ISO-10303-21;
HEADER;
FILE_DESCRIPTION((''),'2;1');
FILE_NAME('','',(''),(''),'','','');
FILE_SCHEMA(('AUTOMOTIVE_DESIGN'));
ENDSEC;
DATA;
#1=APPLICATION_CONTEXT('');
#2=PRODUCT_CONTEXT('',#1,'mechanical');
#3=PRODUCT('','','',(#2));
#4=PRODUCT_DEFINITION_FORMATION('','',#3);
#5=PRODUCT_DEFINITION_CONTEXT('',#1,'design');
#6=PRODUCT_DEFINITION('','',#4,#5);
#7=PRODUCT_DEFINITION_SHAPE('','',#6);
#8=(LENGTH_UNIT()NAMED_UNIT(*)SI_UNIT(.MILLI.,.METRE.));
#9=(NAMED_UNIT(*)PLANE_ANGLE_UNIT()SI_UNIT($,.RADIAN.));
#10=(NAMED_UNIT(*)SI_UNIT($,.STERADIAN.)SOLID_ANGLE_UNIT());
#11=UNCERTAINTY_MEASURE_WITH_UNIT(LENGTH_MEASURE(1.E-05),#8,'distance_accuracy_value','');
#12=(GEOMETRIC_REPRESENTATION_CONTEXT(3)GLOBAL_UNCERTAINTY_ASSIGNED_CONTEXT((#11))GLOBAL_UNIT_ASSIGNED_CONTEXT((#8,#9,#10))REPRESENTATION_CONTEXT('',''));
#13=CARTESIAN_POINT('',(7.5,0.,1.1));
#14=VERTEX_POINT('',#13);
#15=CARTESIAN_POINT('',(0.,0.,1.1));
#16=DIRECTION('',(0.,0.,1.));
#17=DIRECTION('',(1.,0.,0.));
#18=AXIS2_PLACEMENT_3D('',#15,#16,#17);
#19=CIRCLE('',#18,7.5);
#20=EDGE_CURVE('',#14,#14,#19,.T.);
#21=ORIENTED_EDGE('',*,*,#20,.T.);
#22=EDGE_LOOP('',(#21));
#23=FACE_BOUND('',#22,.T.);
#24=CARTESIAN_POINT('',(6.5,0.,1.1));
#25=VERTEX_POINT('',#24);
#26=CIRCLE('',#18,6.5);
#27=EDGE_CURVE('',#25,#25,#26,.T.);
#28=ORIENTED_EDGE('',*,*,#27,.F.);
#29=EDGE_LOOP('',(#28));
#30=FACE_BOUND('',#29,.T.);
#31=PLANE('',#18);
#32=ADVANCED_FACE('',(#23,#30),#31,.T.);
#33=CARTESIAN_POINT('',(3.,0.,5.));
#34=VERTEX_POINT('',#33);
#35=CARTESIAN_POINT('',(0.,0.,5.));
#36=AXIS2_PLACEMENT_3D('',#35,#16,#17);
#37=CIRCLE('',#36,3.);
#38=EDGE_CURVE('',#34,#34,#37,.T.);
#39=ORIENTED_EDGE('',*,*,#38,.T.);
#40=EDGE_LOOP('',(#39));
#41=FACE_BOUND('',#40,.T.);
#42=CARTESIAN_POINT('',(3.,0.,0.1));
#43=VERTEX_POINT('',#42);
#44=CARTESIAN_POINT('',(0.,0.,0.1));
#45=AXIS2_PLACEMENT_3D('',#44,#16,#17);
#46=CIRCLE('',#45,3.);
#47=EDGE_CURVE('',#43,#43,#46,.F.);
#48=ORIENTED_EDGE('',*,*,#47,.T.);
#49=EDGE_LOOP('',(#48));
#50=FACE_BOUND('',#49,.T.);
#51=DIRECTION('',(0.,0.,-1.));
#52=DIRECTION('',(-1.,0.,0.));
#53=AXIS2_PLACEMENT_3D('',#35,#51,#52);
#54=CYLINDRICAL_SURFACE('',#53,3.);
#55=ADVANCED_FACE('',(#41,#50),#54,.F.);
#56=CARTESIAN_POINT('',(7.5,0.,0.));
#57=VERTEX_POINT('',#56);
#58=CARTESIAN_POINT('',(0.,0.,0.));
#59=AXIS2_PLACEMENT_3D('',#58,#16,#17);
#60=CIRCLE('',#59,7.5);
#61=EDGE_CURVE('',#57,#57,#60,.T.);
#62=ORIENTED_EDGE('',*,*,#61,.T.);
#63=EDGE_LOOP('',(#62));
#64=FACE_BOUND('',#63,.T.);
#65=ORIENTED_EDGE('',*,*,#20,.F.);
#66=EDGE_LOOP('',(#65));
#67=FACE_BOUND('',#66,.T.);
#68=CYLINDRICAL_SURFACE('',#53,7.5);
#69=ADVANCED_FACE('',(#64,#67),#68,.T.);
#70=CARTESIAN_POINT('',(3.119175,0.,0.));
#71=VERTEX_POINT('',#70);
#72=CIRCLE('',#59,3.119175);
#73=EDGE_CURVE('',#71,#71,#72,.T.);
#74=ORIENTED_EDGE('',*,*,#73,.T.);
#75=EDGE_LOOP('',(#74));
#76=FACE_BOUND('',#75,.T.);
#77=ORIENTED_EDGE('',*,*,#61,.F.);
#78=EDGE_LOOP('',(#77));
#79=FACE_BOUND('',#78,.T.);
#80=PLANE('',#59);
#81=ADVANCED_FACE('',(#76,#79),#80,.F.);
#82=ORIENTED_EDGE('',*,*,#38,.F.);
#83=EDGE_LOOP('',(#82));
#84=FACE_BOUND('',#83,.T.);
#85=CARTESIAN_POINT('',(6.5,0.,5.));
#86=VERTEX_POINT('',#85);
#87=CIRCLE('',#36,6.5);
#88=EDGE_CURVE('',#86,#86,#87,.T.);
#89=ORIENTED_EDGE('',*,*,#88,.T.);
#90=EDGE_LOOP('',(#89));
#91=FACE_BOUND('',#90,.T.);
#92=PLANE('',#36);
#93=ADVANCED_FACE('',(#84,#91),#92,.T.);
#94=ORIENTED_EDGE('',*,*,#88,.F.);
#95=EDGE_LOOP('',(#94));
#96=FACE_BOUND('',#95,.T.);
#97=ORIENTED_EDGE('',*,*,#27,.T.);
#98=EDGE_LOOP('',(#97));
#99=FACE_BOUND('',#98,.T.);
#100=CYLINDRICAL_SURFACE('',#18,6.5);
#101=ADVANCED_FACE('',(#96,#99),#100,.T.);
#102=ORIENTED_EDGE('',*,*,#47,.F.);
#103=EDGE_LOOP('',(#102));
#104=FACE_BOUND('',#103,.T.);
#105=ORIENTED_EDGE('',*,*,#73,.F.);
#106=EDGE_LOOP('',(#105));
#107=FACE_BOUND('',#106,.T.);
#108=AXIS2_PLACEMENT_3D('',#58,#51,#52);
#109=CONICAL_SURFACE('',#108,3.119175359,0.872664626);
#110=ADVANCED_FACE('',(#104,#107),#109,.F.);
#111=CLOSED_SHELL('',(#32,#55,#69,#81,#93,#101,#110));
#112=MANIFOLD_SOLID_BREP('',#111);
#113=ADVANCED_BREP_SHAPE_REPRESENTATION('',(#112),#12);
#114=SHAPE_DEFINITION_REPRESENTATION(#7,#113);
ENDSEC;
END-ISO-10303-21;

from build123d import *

# Parameters (mm, degrees)
SKETCH_1_R          = 7.5
SKETCH_1_R_2        = 3
EXTRUDE_1_DEPTH     = 5
SKETCH_2_R          = 7.5
SKETCH_2_R_2        = 6.5
CUT_EXTRUDE_1_DEPTH = 3.9
CHAMFER_1_SIZE      = 0.1
CHAMFER_1_SIZE2     = 0.119175359


with BuildPart() as part:
    # 草图1 → 凸台-拉伸1 (new body)
    with BuildSketch(Plane.XY):
        Circle(SKETCH_1_R)
        Circle(SKETCH_1_R_2, mode=Mode.SUBTRACT)
    extrude(amount=EXTRUDE_1_DEPTH)

    # 草图2 → 切除-拉伸1 (cut)
    with BuildSketch(Plane.XY.offset(5)):
        Circle(SKETCH_2_R)
        Circle(SKETCH_2_R_2, mode=Mode.SUBTRACT)
    extrude(amount=-CUT_EXTRUDE_1_DEPTH, mode=Mode.SUBTRACT)

    # 倒角1
    chamfer_1_edges = [part.edges().sort_by_distance(p)[0] for p in [
        (-3, 0, 0),
    ]]
    chamfer_1_side = [part.faces().sort_by_distance(p)[0] for p in [
        (-3, 0, 2.5),
    ]]
    chamfer(chamfer_1_edges, length=CHAMFER_1_SIZE, length2=CHAMFER_1_SIZE2, reference=chamfer_1_side[0])


solid = part.part
